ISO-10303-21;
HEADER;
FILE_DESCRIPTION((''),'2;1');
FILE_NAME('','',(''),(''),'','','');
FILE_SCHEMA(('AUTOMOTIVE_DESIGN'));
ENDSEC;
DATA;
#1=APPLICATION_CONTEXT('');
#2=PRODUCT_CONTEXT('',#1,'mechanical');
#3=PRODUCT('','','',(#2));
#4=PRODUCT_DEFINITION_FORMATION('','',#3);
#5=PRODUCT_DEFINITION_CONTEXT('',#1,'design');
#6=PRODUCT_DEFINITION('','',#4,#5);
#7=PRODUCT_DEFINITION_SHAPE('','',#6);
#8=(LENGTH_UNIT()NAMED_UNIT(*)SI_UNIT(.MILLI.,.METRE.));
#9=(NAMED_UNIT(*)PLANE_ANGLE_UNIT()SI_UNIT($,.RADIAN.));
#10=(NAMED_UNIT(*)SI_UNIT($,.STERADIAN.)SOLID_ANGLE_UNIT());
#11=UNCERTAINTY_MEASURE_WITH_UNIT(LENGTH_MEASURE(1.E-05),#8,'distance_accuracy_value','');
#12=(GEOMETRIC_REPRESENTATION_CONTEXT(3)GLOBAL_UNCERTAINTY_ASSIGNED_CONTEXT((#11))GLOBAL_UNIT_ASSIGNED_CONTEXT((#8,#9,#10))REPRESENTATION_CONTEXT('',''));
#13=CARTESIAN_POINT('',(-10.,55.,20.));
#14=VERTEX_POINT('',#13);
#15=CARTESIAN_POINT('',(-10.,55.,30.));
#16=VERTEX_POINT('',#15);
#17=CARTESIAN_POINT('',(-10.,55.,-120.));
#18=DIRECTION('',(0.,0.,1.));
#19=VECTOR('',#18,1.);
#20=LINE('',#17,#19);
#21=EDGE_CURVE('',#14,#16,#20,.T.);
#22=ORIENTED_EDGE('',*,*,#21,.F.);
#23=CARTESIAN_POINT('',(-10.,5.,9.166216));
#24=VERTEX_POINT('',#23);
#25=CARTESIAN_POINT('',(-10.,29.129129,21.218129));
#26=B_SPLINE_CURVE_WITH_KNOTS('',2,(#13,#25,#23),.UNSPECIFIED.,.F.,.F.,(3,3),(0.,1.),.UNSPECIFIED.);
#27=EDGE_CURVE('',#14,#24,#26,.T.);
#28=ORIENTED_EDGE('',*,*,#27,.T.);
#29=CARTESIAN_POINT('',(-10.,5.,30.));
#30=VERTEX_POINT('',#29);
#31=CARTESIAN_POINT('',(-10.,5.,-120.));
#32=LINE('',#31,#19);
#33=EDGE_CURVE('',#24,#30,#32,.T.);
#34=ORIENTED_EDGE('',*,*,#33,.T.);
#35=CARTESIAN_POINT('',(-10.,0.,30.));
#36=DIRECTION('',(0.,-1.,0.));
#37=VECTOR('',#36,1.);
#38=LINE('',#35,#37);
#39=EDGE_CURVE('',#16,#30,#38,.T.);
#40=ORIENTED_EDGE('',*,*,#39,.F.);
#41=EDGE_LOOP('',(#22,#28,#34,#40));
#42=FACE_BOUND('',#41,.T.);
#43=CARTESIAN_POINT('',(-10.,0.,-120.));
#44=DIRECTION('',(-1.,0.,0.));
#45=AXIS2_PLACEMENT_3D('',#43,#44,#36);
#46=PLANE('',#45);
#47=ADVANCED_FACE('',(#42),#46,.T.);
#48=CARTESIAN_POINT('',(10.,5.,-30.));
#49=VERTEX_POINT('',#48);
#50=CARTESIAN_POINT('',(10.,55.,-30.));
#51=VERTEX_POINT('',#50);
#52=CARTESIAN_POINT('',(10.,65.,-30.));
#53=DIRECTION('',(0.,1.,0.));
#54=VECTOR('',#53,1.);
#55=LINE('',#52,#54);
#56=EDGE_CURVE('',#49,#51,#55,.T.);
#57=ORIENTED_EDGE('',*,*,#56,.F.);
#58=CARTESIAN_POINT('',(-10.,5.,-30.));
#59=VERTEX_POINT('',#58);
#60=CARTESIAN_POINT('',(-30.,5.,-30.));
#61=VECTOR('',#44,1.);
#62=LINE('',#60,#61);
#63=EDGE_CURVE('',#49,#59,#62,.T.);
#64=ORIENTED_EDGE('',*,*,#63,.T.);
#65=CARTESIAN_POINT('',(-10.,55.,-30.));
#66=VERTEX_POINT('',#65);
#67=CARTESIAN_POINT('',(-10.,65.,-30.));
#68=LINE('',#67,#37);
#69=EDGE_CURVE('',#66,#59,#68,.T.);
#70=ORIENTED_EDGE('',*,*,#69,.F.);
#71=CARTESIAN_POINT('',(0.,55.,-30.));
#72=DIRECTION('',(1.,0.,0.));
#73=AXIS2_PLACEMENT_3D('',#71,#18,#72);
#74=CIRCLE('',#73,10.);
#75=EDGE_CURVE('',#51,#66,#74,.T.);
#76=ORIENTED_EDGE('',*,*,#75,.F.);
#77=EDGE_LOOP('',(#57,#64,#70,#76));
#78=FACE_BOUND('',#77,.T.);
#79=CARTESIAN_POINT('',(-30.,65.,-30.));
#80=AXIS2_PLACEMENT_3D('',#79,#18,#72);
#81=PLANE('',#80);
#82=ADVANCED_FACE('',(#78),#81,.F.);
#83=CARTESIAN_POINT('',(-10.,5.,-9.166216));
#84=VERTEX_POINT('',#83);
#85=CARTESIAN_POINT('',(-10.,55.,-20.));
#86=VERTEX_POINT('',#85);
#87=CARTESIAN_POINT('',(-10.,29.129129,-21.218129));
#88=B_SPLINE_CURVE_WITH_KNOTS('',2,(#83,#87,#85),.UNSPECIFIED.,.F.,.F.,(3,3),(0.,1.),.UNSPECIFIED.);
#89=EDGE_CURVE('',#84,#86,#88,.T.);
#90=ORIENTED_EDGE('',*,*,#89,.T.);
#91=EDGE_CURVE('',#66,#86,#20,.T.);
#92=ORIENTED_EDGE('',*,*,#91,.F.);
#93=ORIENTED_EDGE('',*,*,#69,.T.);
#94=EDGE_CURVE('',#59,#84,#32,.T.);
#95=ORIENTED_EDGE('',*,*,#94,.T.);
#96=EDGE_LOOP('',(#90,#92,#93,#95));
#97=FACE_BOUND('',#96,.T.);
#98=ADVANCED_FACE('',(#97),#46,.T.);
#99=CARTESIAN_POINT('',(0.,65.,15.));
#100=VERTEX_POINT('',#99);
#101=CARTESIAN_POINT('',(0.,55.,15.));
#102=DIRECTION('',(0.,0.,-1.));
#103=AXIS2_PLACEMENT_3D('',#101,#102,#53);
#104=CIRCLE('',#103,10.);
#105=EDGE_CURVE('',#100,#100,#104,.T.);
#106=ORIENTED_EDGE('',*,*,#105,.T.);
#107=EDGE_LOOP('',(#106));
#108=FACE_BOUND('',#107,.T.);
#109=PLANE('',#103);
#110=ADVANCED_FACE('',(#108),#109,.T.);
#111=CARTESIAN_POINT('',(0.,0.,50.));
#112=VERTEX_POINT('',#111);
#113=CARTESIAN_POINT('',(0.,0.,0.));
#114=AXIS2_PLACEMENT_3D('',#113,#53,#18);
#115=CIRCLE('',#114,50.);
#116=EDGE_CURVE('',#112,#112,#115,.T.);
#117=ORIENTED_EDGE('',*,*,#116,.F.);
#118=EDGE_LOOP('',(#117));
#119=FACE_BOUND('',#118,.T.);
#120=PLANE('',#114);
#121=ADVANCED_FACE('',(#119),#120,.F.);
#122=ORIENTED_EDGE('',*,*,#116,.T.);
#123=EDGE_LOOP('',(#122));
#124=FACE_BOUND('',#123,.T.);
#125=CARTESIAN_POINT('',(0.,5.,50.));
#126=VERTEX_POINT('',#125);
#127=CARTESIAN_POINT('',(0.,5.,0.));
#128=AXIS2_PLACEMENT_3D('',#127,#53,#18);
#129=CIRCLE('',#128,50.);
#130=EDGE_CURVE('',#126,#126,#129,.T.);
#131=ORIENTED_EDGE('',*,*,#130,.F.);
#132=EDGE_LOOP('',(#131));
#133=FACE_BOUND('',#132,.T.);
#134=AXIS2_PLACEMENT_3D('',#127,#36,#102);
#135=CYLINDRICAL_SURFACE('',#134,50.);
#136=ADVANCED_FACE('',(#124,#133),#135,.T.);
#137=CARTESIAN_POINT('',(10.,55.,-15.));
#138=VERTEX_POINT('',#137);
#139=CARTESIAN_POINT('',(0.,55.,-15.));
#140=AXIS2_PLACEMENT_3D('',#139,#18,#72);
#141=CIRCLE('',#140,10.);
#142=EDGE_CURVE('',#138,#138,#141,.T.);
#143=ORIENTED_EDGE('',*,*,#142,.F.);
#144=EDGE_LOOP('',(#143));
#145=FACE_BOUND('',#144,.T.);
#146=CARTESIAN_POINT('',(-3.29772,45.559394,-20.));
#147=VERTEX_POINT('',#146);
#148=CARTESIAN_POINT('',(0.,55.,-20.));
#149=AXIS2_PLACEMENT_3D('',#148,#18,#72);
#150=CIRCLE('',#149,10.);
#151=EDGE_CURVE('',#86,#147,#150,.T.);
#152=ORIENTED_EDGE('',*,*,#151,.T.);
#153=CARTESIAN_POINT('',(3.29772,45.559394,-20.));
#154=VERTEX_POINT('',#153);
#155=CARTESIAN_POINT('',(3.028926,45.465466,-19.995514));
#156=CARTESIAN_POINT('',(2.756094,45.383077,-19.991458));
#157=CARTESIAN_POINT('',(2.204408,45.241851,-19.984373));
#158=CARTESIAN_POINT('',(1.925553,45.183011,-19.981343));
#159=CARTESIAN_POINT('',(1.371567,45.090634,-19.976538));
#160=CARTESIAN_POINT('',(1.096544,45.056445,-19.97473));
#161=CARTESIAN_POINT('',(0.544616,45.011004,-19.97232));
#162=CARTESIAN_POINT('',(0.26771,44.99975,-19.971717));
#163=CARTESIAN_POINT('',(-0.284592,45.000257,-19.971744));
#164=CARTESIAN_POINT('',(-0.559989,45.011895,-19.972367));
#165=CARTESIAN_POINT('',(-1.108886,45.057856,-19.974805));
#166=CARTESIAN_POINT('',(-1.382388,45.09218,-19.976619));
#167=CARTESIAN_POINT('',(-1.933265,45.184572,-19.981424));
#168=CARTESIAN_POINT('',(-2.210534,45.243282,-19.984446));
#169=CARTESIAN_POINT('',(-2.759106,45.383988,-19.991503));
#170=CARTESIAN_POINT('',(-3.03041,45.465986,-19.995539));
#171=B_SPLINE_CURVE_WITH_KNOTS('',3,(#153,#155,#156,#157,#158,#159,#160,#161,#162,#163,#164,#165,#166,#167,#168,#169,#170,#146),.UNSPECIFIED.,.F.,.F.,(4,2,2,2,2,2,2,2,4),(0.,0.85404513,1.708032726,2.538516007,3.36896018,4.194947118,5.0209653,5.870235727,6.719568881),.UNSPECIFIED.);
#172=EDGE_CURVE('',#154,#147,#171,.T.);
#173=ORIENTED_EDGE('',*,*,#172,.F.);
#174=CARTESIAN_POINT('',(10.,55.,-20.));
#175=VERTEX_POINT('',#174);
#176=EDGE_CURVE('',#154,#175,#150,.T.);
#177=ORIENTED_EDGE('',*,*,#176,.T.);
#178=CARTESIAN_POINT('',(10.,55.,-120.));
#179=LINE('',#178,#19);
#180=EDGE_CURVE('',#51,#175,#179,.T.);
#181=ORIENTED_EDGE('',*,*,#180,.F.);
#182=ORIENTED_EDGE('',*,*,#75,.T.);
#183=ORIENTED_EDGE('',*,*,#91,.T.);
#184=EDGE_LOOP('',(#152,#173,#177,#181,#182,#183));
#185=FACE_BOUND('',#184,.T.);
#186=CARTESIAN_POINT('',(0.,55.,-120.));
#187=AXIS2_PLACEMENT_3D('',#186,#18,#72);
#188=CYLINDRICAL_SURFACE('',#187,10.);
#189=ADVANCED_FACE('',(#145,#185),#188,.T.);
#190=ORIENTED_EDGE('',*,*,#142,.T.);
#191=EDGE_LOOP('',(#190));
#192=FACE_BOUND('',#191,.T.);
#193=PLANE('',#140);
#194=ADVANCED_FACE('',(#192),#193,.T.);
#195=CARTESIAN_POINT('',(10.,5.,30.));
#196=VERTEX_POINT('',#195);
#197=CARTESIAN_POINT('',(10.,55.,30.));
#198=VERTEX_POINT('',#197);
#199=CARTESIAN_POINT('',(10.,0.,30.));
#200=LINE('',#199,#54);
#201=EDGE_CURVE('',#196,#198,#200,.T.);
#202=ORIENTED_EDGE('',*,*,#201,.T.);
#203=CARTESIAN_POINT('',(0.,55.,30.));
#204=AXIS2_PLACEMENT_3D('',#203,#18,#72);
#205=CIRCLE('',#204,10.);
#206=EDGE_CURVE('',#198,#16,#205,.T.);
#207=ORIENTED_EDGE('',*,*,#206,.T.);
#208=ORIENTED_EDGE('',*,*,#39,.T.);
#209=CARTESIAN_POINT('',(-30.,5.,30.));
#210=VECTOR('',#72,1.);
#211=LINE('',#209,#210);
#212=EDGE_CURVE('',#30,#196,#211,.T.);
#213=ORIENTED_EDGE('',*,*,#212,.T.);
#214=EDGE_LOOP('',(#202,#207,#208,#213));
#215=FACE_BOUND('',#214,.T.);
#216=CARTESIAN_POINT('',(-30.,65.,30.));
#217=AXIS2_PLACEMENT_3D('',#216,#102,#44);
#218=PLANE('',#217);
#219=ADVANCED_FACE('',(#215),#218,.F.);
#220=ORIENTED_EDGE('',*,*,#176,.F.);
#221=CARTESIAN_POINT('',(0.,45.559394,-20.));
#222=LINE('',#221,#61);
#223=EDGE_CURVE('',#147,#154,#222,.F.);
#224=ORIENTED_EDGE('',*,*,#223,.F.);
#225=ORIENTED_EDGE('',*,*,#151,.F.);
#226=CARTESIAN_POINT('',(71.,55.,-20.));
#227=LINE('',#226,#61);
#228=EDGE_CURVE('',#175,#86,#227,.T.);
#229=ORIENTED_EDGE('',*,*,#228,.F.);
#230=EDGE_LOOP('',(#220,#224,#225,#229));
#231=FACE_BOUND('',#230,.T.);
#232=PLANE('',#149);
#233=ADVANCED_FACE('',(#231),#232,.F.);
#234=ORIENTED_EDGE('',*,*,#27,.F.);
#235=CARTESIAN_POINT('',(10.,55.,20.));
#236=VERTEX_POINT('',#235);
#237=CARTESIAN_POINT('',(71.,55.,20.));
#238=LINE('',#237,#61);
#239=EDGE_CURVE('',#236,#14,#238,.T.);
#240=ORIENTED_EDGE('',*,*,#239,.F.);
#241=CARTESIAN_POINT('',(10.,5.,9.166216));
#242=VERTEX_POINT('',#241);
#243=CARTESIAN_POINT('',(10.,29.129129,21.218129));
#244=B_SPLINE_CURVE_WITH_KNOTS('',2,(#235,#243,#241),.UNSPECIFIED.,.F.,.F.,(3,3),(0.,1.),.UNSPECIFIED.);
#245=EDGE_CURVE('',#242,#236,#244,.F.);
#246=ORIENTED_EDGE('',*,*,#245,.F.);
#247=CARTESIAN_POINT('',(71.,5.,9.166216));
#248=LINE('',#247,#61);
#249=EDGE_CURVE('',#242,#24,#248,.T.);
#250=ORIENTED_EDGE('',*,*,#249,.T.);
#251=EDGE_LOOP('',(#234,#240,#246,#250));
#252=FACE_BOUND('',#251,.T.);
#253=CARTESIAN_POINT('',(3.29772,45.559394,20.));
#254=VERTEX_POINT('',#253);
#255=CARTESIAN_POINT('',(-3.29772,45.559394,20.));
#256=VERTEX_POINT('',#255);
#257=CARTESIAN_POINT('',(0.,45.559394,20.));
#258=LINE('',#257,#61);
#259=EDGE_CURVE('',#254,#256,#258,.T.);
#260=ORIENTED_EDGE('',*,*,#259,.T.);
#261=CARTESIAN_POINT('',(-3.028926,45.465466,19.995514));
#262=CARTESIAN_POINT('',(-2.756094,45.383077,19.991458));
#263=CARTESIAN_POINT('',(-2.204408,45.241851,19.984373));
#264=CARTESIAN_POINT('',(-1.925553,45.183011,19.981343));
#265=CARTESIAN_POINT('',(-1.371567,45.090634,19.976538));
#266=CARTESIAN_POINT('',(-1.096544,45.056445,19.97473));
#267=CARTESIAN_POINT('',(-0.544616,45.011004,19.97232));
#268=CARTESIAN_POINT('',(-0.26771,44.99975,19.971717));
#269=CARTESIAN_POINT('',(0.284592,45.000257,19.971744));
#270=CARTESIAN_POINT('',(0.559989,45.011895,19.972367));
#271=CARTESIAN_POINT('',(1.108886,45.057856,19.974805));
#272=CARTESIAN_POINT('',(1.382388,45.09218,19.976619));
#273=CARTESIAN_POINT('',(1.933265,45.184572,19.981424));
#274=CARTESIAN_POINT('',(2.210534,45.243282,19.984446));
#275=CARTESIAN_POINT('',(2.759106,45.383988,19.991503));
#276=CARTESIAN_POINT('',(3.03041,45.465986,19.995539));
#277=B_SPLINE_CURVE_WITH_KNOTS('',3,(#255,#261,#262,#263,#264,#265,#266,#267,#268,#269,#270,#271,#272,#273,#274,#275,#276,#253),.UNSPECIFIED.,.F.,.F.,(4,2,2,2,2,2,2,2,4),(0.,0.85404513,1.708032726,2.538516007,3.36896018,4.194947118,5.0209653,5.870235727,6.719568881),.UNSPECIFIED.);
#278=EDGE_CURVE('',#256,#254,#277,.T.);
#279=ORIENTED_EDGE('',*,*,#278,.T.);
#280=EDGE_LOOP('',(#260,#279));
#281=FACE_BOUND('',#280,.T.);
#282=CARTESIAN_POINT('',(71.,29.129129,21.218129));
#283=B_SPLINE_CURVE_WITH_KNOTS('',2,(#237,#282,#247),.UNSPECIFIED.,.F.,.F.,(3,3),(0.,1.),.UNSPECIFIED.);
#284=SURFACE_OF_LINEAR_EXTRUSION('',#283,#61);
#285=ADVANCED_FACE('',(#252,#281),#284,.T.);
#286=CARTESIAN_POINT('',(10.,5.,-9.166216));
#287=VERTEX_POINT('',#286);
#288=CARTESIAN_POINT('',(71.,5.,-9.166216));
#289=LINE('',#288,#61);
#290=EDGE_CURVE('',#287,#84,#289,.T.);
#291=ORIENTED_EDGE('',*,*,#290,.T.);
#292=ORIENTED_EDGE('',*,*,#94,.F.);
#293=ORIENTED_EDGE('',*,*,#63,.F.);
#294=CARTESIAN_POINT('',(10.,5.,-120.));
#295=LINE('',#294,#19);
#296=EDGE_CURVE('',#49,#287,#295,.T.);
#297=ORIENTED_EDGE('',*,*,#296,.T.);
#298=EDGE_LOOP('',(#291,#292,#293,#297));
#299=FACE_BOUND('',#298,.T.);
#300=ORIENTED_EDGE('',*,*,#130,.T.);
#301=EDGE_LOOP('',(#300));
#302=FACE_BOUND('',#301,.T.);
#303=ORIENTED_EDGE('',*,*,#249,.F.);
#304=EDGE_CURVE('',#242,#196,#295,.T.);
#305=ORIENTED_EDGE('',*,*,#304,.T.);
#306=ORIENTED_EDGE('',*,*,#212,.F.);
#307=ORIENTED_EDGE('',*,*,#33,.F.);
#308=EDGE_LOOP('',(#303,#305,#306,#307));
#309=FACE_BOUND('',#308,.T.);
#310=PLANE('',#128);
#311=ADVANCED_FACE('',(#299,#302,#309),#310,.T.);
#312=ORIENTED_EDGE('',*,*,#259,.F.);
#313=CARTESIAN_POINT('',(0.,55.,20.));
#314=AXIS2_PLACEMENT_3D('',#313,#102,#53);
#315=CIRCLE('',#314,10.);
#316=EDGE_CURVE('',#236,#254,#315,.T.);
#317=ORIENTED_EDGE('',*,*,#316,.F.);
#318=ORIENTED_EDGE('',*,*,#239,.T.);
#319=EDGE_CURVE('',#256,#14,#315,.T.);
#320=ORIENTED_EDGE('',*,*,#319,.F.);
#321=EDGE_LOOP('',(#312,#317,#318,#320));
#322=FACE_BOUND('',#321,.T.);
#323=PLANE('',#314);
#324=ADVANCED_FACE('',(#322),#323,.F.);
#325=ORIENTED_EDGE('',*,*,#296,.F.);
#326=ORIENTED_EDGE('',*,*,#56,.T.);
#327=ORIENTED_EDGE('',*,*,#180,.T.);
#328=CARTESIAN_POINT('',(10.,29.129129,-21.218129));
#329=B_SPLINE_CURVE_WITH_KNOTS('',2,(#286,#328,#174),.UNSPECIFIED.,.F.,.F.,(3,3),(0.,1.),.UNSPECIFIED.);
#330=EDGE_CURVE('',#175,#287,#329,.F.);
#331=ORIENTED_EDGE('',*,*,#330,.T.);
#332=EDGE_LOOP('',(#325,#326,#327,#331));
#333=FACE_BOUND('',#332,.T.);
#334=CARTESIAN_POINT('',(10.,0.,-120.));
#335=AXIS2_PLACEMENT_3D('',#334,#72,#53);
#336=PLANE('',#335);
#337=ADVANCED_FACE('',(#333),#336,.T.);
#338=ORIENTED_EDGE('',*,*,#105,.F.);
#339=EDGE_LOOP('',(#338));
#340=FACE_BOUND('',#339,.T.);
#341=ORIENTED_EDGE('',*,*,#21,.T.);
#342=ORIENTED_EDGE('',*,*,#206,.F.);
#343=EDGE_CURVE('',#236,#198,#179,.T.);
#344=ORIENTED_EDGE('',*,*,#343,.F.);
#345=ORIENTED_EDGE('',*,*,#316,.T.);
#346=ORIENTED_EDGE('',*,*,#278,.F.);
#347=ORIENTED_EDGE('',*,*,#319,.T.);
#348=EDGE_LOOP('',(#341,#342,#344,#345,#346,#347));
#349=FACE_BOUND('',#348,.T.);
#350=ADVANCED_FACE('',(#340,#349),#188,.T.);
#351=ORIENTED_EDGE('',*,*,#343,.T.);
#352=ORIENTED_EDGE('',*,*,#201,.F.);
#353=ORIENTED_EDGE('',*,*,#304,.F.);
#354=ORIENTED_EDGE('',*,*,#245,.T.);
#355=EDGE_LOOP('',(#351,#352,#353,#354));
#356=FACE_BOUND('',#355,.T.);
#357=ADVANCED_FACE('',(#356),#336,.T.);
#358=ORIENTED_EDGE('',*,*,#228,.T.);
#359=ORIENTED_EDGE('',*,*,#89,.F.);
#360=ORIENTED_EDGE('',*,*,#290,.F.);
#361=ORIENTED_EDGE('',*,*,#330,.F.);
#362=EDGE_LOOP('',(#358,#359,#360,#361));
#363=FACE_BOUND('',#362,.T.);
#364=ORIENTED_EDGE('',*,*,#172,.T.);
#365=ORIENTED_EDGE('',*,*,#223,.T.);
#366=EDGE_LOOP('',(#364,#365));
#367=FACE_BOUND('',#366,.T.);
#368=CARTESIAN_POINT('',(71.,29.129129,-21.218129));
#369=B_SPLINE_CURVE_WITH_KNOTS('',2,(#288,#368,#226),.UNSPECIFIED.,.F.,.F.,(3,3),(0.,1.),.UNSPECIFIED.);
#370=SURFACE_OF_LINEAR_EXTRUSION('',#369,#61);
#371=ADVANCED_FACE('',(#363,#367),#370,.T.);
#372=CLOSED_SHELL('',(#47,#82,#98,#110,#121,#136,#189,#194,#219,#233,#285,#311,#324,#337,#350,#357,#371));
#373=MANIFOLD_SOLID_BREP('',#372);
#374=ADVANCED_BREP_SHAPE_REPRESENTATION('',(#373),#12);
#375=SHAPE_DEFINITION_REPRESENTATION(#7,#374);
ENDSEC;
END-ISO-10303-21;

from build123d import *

# Parameters (mm, degrees)
SKETCH2_R                = 50
BOSS_EXTRUDE1_DEPTH      = 5
SKETCH3_W                = 60
SKETCH3_H                = 60
BOSS_EXTRUDE2_DEPTH      = 60
CUT_EXTRUDE14_DEPTH      = 150
CUT_EXTRUDE15_DEPTH      = 150
CUT_EXTRUDE16_DEPTH      = 71
CUT_EXTRUDE16_DEPTH_BACK = 56
SKETCH31_R               = 10
BOSS_EXTRUDE5_DEPTH      = 5
BOSS_EXTRUDE6_START      = 5
SKETCH32_R               = 10
BOSS_EXTRUDE6_DEPTH      = 5


with BuildPart() as part:
    # Sketch2 → Boss-Extrude1 (new body)
    with BuildSketch(Plane(origin=(0, 0, 0), x_dir=(1, 0, 0), z_dir=(0, 1, 0))):
        with Locations(Location((0, 0, 0), (0, 0, 270))):
            Circle(SKETCH2_R)
    extrude(amount=BOSS_EXTRUDE1_DEPTH)

    # Sketch3 → Boss-Extrude2 (add)
    with BuildSketch(Plane(origin=(0, 5, 0), x_dir=(1, 0, 0), z_dir=(0, 1, 0))):
        Rectangle(SKETCH3_W, SKETCH3_H)
    extrude(amount=BOSS_EXTRUDE2_DEPTH)

    # Sketch19 → Cut-Extrude14 (cut)
    with BuildSketch(Plane.XY.offset(30)):
        with BuildLine():
            Line((-10, 5), (-10, 55))
            ThreePointArc((-10, 55), (-7.071067812, 62.071067812), (0, 65))
            Line((0, 65), (-30, 65))
            Line((-30, 65), (-30, 5))
            Line((-30, 5), (-10, 5))
        make_face()
    extrude(amount=-CUT_EXTRUDE14_DEPTH, mode=Mode.SUBTRACT)

    # Sketch29 → Cut-Extrude15 (cut)
    with BuildSketch(Plane.XY.offset(30)):
        with BuildLine():
            Line((30, 65), (0, 65))
            ThreePointArc((0, 65), (7.071067812, 62.071067812), (10, 55))
            Line((10, 55), (10, 5))
            Line((10, 5), (30, 5))
            Line((30, 5), (30, 65))
        make_face()
    extrude(amount=-CUT_EXTRUDE15_DEPTH, mode=Mode.SUBTRACT)

    # Sketch30 → Cut-Extrude16 (cut, two sides: drawn at the far end of the back side and taken through both)
    with BuildSketch(Plane(origin=(0, 0, 0), x_dir=(0, 0, -1), z_dir=(1, 0, 0)).offset(-CUT_EXTRUDE16_DEPTH_BACK)):
        with BuildLine():
            Line((20, 65), (-20, 65))
            Line((-20, 65), (-20, 55))
            add(Edge.make_bspline(
                [(-20, 55), (-21.218129455, 29.129128635), (-9.16621621, 5)],
                knots=[0, 0, 0, 1, 1, 1], degree=2))
            Line((-9.16621621, 5), (9.16621621, 5))
            add(Edge.make_bspline(
                [(20, 55), (21.218129455, 29.129128635), (9.16621621, 5)],
                knots=[0, 0, 0, 1, 1, 1], degree=2))
            Line((20, 55), (20, 65))
        make_face()
    extrude(amount=CUT_EXTRUDE16_DEPTH + CUT_EXTRUDE16_DEPTH_BACK, mode=Mode.SUBTRACT)

    # Sketch31 → Boss-Extrude5 (add)
    with BuildSketch(Plane(origin=(0, 0, 20), x_dir=(-1, 0, 0), z_dir=(0, 0, -1))):
        with Locations(Location((0, 55, 0), (0, 0, 180))):
            Circle(SKETCH31_R)
    extrude(amount=BOSS_EXTRUDE5_DEPTH)

    # Sketch32 → Boss-Extrude6 (add)
    with BuildSketch(Plane.XY.offset(-20).offset(BOSS_EXTRUDE6_START)):
        with Locations((0, 55)):
            Circle(SKETCH32_R)
    extrude(amount=-BOSS_EXTRUDE6_DEPTH)


solid = part.part
